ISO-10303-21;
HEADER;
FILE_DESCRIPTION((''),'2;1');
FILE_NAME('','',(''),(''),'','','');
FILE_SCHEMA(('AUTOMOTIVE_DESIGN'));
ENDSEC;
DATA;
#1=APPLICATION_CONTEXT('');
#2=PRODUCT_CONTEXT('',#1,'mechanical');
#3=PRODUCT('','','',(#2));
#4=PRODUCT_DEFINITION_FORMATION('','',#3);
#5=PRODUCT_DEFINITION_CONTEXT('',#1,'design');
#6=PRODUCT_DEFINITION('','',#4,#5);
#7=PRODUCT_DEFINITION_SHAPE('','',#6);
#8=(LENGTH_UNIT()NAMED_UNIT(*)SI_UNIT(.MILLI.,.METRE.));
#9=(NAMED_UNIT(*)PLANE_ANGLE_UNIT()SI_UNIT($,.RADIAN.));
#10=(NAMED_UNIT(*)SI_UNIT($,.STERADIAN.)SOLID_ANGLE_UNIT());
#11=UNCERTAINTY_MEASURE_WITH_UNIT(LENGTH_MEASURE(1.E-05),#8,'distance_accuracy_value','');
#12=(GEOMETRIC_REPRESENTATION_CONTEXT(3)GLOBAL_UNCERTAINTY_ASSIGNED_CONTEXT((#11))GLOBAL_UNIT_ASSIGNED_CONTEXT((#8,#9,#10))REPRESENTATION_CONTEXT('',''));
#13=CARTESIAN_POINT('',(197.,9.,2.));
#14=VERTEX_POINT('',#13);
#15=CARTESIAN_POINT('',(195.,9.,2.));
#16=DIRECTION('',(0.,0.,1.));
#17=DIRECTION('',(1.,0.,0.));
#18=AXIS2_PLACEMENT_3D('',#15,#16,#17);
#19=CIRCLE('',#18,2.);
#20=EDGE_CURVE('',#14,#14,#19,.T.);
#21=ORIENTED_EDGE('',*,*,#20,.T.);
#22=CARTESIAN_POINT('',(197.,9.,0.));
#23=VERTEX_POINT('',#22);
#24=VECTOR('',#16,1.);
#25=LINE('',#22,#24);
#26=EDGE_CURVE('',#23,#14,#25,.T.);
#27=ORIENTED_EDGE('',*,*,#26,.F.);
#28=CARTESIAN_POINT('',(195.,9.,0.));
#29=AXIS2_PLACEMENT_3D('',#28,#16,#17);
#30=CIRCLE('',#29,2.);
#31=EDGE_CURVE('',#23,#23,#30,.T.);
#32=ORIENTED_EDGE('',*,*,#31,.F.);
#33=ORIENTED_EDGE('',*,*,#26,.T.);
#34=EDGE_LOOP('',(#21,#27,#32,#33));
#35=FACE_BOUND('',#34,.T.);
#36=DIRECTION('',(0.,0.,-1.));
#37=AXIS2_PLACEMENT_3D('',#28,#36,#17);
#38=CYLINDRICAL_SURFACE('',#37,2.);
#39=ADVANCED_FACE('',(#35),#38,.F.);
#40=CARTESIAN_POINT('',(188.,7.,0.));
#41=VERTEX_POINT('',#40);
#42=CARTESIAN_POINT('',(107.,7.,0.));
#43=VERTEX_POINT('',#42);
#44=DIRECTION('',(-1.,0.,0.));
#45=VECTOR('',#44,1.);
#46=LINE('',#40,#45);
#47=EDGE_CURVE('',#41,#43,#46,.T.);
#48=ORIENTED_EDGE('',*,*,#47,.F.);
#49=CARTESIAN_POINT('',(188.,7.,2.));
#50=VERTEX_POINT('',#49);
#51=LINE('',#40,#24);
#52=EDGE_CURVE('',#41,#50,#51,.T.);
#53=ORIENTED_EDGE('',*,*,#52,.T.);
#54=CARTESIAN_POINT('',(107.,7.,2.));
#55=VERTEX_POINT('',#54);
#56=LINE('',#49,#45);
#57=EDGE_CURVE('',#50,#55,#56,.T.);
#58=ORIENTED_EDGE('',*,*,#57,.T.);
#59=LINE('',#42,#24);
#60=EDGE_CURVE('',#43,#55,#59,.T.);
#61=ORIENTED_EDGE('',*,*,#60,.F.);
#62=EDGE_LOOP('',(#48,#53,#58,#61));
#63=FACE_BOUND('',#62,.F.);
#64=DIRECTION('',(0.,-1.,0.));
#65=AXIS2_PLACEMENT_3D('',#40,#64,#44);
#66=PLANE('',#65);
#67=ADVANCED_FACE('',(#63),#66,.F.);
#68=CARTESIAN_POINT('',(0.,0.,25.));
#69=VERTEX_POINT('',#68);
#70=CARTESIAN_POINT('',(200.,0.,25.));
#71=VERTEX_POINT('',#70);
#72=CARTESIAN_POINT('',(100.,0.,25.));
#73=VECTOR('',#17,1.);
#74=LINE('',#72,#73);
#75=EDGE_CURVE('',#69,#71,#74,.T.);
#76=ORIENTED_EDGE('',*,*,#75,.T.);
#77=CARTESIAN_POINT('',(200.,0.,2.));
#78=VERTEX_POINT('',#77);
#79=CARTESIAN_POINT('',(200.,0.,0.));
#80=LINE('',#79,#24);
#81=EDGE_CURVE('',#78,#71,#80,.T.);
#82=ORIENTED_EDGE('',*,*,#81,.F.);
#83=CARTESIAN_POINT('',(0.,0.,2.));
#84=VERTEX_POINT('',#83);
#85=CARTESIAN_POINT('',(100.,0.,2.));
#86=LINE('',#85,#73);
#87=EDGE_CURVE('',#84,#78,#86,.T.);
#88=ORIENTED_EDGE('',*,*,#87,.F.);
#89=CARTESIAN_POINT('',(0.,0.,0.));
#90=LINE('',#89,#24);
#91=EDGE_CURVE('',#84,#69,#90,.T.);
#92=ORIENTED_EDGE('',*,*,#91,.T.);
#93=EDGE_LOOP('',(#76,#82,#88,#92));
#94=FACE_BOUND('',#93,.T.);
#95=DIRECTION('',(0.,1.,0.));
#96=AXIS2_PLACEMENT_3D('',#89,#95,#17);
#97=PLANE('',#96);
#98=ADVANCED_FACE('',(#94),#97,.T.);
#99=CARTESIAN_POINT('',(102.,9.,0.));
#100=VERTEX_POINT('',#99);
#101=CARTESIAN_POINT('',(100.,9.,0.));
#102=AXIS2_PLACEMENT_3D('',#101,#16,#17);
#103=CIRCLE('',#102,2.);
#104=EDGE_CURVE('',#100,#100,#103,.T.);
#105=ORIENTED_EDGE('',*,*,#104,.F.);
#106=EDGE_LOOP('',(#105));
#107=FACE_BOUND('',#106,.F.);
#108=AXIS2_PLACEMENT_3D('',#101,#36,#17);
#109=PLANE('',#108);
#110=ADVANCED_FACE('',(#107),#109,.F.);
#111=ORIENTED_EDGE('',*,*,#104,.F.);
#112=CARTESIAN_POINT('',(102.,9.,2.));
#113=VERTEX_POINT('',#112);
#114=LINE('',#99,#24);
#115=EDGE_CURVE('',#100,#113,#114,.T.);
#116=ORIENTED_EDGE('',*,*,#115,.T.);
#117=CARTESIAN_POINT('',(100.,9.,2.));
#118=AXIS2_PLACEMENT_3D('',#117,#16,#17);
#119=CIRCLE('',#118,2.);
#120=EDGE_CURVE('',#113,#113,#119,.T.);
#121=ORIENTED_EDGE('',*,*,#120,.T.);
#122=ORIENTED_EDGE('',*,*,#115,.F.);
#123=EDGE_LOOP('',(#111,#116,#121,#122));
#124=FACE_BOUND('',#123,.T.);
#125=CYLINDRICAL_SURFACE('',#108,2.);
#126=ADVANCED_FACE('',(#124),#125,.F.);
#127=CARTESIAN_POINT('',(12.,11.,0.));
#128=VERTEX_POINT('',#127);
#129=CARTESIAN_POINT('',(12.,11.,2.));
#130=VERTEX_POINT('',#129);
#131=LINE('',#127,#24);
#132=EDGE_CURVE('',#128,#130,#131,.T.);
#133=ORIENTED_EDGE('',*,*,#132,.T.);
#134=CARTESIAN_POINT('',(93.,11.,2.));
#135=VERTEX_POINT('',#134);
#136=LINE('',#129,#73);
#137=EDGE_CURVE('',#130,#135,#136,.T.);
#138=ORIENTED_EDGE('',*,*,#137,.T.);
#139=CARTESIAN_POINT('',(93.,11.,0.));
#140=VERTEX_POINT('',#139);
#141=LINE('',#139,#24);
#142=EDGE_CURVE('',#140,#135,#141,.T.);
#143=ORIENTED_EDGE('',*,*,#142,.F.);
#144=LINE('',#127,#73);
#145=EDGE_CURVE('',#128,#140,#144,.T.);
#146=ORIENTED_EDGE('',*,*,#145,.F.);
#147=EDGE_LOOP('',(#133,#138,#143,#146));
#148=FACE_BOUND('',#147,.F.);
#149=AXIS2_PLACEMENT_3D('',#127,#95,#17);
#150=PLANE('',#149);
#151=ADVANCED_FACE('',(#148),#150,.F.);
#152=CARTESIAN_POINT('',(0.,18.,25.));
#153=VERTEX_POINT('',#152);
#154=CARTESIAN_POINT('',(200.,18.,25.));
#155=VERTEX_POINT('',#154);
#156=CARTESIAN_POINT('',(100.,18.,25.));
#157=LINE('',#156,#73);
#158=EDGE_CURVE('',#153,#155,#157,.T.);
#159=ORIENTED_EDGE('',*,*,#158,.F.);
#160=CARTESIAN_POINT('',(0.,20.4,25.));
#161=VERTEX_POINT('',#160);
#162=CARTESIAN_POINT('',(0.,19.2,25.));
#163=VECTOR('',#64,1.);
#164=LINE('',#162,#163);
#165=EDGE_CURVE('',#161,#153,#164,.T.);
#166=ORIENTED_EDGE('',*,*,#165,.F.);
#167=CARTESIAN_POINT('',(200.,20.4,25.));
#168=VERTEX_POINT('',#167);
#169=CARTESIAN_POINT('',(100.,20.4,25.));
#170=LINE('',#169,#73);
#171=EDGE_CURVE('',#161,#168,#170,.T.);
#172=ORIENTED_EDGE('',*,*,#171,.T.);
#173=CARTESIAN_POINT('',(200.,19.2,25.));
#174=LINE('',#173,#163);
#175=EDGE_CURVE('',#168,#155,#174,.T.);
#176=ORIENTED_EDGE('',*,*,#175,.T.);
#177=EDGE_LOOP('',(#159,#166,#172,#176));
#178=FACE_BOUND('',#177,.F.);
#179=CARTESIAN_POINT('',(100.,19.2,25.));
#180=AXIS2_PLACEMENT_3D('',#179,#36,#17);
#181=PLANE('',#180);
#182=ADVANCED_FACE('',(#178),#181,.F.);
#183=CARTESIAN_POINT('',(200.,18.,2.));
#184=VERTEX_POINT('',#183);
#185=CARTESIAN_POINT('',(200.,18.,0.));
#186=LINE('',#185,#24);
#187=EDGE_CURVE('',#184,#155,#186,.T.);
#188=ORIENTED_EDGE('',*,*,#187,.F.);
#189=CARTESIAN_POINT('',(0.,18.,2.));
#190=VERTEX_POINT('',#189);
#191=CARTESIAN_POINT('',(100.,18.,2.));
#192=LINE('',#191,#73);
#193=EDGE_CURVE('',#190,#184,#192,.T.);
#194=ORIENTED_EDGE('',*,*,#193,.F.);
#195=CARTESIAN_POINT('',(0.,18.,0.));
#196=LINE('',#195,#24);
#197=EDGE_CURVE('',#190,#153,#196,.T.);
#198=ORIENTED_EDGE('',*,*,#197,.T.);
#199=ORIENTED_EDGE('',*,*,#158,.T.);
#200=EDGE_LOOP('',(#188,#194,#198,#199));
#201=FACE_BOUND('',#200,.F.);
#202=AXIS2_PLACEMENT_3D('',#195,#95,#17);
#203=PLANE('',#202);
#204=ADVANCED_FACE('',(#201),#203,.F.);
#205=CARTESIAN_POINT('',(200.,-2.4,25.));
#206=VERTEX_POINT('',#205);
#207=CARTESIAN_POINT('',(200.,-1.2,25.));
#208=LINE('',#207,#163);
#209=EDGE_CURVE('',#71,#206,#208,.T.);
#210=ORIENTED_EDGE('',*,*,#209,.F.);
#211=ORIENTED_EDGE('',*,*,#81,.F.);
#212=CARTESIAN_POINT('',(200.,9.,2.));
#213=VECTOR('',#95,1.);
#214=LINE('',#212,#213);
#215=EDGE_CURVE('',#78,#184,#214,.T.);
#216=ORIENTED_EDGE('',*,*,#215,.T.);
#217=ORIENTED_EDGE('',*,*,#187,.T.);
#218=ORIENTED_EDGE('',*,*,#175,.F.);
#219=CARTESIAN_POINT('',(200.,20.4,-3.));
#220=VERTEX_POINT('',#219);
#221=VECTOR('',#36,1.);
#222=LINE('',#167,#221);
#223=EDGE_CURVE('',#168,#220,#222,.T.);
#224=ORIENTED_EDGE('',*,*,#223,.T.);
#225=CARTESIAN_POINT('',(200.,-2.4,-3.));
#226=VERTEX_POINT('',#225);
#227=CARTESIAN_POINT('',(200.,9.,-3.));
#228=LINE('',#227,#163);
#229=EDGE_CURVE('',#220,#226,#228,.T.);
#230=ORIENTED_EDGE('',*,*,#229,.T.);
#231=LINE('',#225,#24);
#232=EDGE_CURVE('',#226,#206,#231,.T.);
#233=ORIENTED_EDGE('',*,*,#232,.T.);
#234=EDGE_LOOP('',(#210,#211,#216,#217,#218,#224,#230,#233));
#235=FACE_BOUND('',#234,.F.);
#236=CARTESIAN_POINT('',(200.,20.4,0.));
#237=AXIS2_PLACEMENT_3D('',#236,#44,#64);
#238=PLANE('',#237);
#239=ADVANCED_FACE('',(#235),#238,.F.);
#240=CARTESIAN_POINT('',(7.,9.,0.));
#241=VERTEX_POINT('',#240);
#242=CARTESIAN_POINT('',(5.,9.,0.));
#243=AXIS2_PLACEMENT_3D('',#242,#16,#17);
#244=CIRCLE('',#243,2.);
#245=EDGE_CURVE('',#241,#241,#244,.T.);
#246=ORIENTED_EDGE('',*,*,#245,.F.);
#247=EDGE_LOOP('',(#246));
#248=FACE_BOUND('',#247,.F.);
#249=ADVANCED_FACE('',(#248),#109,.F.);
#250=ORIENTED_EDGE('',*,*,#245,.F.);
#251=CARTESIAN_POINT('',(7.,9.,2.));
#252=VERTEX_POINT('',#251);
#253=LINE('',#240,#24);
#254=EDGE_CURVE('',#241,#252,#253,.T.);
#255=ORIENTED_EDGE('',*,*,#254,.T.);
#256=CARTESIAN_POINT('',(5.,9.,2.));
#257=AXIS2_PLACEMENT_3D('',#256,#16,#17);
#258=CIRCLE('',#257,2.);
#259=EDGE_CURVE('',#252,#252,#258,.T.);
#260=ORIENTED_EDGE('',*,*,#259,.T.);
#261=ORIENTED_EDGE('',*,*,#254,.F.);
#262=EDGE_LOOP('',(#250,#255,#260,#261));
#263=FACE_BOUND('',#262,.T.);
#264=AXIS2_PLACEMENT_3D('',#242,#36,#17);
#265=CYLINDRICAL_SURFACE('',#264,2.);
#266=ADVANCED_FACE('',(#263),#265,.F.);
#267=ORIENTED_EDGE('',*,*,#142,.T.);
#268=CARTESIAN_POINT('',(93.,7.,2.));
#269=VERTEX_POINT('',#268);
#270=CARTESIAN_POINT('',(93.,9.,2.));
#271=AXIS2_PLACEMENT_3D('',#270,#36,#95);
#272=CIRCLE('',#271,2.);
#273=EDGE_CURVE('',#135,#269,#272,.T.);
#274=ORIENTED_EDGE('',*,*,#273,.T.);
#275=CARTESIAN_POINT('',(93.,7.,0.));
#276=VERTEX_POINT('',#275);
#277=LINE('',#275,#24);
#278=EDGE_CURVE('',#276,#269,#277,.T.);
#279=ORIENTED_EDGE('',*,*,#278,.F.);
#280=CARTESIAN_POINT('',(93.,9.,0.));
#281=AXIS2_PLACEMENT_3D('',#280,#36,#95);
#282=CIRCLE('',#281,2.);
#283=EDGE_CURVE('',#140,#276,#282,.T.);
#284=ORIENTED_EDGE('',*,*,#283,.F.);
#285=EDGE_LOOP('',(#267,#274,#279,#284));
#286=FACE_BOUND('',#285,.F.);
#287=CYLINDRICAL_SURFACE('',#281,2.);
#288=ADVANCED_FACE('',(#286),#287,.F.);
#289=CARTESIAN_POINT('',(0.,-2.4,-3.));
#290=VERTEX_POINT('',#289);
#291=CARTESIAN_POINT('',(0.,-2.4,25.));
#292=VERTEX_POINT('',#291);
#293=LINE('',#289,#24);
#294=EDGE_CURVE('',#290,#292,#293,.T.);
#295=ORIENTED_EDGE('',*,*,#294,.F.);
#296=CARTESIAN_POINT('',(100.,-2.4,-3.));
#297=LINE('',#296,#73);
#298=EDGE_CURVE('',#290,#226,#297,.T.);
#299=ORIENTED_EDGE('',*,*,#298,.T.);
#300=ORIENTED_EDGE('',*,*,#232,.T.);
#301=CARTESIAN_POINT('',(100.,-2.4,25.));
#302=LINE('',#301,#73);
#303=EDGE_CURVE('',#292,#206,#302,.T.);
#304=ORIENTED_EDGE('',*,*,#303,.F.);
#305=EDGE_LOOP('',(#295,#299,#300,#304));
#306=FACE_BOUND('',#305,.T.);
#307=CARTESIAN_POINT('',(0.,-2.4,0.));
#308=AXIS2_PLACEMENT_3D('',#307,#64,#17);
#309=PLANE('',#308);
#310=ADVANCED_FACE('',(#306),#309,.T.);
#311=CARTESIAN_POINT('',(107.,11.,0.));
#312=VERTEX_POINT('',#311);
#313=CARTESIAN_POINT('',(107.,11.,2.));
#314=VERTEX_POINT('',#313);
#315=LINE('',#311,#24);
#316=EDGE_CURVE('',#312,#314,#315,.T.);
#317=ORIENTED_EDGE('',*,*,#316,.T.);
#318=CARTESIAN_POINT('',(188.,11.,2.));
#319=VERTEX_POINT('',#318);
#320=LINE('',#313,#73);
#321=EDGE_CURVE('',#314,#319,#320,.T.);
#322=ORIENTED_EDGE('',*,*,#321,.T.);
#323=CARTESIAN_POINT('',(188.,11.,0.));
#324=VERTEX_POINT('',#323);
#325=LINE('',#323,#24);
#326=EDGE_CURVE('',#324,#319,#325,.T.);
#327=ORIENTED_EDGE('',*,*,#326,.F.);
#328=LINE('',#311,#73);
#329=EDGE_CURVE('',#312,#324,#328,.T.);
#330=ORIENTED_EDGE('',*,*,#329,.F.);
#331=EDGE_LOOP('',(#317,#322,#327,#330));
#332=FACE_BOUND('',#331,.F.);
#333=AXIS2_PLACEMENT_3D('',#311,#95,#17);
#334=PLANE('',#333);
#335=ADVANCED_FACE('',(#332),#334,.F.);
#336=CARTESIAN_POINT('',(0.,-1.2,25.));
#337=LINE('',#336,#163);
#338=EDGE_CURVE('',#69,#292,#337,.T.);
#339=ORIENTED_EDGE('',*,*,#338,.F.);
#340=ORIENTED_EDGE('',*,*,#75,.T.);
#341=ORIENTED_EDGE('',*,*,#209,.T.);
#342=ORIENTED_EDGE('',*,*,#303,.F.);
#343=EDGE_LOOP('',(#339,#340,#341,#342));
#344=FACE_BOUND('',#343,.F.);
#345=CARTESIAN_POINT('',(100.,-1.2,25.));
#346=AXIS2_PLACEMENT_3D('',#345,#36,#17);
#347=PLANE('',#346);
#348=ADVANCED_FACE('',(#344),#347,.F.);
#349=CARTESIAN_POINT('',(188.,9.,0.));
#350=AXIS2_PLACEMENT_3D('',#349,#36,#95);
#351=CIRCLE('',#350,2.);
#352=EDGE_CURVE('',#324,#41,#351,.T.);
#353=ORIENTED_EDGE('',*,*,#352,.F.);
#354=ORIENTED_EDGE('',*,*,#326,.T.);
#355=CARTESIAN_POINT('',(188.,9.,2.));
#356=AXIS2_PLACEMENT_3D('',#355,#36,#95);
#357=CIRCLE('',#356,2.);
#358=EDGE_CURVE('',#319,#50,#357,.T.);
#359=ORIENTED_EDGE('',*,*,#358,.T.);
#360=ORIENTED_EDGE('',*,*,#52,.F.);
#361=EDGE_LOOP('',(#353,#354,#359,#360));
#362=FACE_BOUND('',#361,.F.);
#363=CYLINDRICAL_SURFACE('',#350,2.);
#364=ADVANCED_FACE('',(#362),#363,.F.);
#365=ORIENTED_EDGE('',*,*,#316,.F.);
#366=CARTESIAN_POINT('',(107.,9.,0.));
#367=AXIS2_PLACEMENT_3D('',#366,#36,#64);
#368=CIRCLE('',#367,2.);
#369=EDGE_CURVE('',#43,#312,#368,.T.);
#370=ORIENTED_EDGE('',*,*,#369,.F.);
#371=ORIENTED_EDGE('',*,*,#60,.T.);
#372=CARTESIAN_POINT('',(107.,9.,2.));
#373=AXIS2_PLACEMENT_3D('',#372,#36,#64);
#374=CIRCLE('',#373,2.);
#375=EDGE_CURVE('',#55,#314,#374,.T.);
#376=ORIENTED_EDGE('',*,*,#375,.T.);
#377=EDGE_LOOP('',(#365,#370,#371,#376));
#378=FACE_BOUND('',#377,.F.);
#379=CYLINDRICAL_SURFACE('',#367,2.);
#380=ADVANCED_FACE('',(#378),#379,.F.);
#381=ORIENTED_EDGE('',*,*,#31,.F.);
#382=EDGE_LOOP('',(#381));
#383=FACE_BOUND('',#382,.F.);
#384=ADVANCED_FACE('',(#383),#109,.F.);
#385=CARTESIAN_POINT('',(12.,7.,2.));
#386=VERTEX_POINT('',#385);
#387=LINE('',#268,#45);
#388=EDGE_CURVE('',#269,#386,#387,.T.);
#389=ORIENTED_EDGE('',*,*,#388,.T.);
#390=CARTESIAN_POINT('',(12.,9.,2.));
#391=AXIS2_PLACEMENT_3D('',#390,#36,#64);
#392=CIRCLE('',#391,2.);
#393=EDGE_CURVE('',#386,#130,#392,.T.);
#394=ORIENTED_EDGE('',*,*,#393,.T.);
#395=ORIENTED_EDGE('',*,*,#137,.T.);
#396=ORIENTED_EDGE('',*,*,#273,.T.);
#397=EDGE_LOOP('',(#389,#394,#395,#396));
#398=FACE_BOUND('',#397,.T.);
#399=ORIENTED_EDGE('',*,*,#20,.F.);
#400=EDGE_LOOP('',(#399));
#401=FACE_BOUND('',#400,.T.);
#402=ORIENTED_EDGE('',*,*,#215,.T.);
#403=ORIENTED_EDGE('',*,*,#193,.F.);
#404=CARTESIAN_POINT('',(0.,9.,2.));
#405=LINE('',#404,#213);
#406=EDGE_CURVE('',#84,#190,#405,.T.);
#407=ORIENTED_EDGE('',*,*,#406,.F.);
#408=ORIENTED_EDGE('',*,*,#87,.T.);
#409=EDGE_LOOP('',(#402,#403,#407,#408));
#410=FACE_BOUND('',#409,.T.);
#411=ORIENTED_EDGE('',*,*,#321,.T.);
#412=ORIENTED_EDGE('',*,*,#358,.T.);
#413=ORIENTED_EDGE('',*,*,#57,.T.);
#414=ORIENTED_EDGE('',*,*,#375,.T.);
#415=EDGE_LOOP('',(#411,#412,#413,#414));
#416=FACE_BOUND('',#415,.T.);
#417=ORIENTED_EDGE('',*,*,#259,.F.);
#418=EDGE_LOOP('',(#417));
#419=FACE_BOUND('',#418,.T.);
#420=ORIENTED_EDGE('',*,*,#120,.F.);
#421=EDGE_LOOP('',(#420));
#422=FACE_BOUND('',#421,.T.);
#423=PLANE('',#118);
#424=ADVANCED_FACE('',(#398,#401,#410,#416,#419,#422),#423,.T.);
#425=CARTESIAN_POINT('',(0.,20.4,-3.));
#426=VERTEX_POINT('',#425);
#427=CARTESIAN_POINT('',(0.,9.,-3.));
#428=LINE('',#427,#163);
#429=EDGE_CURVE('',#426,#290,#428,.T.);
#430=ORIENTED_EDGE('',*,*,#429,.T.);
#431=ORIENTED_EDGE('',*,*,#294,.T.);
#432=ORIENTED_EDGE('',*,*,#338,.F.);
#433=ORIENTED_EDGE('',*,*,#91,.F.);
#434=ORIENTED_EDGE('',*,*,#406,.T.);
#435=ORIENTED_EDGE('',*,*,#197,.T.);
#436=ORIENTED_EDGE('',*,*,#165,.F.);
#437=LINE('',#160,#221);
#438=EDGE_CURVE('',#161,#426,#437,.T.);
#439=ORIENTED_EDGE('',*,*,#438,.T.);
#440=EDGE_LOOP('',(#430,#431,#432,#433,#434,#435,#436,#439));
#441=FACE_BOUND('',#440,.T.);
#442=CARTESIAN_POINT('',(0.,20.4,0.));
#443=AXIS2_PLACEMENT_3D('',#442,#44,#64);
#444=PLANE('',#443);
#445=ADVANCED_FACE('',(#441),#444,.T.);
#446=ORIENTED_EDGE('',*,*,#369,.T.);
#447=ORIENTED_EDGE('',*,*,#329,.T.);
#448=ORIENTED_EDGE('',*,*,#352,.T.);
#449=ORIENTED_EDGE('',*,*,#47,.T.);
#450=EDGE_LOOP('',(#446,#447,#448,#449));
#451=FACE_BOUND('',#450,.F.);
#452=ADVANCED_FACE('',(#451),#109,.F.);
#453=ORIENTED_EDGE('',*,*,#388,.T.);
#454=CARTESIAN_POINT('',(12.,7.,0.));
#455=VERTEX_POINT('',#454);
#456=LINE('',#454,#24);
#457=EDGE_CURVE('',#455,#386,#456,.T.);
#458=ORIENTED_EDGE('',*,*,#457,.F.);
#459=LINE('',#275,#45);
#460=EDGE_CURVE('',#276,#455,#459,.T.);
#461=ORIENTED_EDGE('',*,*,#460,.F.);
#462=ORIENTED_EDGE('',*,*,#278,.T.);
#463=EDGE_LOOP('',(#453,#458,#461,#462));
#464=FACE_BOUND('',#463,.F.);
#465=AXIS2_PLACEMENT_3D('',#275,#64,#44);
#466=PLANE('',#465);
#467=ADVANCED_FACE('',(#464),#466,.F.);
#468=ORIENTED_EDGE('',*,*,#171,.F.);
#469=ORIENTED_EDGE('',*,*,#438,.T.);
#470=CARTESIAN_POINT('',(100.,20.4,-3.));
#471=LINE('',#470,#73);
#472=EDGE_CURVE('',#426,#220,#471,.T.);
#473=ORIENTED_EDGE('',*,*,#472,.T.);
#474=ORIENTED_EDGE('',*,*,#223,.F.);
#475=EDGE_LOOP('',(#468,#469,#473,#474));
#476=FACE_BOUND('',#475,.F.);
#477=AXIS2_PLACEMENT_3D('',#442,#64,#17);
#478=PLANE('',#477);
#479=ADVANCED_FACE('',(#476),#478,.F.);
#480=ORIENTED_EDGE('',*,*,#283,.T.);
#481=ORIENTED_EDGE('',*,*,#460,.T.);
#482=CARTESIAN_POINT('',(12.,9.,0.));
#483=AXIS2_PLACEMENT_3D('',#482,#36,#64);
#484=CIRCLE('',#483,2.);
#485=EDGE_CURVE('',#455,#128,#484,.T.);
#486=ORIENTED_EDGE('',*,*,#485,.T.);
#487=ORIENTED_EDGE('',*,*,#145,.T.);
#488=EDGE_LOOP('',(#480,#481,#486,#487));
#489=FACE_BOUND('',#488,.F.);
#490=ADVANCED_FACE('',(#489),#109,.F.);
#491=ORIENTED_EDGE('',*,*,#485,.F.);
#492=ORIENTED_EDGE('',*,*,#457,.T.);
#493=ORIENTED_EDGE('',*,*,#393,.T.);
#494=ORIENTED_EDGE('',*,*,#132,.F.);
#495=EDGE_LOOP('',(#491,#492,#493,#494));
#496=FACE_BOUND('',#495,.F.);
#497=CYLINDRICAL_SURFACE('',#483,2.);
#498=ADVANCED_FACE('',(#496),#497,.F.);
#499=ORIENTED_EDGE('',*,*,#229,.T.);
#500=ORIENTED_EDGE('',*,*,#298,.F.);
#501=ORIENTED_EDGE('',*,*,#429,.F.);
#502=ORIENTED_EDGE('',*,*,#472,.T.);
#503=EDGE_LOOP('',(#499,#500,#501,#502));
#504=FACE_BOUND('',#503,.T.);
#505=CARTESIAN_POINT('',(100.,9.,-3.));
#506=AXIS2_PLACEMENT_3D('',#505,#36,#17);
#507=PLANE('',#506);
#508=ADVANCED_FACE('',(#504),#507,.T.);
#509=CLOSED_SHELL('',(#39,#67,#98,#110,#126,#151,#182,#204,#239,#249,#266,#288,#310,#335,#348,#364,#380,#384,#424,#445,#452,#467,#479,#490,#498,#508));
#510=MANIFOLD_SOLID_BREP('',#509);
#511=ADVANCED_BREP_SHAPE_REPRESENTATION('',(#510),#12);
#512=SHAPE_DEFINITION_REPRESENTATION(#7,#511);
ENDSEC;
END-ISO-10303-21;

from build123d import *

# Parameters (mm, degrees)
F0_W     = 200
F0_H     = 18
F0_R     = 2
F1_DEPTH = 2
F2_W     = 200
F2_H     = 2.4
F3_DEPTH = 25
F4_W     = 200
F4_H     = 22.8
F5_DEPTH = 3


with BuildPart() as f1:
    # F0 (on Top) → F1 (new body)
    with BuildSketch(Plane.XY):
        with Locations((100, 9)):
            Rectangle(F0_W, F0_H)
        with Locations((5, 9)):
            Circle(F0_R, mode=Mode.SUBTRACT)
        with BuildLine():
            Line((12, 11), (93, 11))
            ThreePointArc((93, 11), (95, 9), (93, 7))
            Line((93, 7), (12, 7))
            ThreePointArc((12, 7), (10, 9), (12, 11))
        make_face(mode=Mode.SUBTRACT)
        with Locations((100, 9)):
            Circle(F0_R, mode=Mode.SUBTRACT)
        with BuildLine():
            Line((107, 11), (188, 11))
            ThreePointArc((188, 11), (190, 9), (188, 7))
            Line((188, 7), (107, 7))
            ThreePointArc((107, 7), (105, 9), (107, 11))
        make_face(mode=Mode.SUBTRACT)
        with Locations((195, 9)):
            Circle(F0_R, mode=Mode.SUBTRACT)
    extrude(amount=F1_DEPTH)

    # F2 (on face) → F3 (join)
    with BuildSketch(Plane(origin=(0, 0, 0), x_dir=(1, 0, 0), z_dir=(0, 0, -1))):
        with Locations((100, 1.2)):
            Rectangle(F2_W, F2_H)
        with Locations((100, -19.2)):
            Rectangle(F2_W, F2_H)
    extrude(amount=-F3_DEPTH)

    # F4 (on face) → F5 (join)
    with BuildSketch(Plane(origin=(0, 0, 0), x_dir=(1, 0, 0), z_dir=(0, 0, -1))):
        with Locations((100, -9)):
            Rectangle(F4_W, F4_H)
    extrude(amount=F5_DEPTH)


solid = f1.part
